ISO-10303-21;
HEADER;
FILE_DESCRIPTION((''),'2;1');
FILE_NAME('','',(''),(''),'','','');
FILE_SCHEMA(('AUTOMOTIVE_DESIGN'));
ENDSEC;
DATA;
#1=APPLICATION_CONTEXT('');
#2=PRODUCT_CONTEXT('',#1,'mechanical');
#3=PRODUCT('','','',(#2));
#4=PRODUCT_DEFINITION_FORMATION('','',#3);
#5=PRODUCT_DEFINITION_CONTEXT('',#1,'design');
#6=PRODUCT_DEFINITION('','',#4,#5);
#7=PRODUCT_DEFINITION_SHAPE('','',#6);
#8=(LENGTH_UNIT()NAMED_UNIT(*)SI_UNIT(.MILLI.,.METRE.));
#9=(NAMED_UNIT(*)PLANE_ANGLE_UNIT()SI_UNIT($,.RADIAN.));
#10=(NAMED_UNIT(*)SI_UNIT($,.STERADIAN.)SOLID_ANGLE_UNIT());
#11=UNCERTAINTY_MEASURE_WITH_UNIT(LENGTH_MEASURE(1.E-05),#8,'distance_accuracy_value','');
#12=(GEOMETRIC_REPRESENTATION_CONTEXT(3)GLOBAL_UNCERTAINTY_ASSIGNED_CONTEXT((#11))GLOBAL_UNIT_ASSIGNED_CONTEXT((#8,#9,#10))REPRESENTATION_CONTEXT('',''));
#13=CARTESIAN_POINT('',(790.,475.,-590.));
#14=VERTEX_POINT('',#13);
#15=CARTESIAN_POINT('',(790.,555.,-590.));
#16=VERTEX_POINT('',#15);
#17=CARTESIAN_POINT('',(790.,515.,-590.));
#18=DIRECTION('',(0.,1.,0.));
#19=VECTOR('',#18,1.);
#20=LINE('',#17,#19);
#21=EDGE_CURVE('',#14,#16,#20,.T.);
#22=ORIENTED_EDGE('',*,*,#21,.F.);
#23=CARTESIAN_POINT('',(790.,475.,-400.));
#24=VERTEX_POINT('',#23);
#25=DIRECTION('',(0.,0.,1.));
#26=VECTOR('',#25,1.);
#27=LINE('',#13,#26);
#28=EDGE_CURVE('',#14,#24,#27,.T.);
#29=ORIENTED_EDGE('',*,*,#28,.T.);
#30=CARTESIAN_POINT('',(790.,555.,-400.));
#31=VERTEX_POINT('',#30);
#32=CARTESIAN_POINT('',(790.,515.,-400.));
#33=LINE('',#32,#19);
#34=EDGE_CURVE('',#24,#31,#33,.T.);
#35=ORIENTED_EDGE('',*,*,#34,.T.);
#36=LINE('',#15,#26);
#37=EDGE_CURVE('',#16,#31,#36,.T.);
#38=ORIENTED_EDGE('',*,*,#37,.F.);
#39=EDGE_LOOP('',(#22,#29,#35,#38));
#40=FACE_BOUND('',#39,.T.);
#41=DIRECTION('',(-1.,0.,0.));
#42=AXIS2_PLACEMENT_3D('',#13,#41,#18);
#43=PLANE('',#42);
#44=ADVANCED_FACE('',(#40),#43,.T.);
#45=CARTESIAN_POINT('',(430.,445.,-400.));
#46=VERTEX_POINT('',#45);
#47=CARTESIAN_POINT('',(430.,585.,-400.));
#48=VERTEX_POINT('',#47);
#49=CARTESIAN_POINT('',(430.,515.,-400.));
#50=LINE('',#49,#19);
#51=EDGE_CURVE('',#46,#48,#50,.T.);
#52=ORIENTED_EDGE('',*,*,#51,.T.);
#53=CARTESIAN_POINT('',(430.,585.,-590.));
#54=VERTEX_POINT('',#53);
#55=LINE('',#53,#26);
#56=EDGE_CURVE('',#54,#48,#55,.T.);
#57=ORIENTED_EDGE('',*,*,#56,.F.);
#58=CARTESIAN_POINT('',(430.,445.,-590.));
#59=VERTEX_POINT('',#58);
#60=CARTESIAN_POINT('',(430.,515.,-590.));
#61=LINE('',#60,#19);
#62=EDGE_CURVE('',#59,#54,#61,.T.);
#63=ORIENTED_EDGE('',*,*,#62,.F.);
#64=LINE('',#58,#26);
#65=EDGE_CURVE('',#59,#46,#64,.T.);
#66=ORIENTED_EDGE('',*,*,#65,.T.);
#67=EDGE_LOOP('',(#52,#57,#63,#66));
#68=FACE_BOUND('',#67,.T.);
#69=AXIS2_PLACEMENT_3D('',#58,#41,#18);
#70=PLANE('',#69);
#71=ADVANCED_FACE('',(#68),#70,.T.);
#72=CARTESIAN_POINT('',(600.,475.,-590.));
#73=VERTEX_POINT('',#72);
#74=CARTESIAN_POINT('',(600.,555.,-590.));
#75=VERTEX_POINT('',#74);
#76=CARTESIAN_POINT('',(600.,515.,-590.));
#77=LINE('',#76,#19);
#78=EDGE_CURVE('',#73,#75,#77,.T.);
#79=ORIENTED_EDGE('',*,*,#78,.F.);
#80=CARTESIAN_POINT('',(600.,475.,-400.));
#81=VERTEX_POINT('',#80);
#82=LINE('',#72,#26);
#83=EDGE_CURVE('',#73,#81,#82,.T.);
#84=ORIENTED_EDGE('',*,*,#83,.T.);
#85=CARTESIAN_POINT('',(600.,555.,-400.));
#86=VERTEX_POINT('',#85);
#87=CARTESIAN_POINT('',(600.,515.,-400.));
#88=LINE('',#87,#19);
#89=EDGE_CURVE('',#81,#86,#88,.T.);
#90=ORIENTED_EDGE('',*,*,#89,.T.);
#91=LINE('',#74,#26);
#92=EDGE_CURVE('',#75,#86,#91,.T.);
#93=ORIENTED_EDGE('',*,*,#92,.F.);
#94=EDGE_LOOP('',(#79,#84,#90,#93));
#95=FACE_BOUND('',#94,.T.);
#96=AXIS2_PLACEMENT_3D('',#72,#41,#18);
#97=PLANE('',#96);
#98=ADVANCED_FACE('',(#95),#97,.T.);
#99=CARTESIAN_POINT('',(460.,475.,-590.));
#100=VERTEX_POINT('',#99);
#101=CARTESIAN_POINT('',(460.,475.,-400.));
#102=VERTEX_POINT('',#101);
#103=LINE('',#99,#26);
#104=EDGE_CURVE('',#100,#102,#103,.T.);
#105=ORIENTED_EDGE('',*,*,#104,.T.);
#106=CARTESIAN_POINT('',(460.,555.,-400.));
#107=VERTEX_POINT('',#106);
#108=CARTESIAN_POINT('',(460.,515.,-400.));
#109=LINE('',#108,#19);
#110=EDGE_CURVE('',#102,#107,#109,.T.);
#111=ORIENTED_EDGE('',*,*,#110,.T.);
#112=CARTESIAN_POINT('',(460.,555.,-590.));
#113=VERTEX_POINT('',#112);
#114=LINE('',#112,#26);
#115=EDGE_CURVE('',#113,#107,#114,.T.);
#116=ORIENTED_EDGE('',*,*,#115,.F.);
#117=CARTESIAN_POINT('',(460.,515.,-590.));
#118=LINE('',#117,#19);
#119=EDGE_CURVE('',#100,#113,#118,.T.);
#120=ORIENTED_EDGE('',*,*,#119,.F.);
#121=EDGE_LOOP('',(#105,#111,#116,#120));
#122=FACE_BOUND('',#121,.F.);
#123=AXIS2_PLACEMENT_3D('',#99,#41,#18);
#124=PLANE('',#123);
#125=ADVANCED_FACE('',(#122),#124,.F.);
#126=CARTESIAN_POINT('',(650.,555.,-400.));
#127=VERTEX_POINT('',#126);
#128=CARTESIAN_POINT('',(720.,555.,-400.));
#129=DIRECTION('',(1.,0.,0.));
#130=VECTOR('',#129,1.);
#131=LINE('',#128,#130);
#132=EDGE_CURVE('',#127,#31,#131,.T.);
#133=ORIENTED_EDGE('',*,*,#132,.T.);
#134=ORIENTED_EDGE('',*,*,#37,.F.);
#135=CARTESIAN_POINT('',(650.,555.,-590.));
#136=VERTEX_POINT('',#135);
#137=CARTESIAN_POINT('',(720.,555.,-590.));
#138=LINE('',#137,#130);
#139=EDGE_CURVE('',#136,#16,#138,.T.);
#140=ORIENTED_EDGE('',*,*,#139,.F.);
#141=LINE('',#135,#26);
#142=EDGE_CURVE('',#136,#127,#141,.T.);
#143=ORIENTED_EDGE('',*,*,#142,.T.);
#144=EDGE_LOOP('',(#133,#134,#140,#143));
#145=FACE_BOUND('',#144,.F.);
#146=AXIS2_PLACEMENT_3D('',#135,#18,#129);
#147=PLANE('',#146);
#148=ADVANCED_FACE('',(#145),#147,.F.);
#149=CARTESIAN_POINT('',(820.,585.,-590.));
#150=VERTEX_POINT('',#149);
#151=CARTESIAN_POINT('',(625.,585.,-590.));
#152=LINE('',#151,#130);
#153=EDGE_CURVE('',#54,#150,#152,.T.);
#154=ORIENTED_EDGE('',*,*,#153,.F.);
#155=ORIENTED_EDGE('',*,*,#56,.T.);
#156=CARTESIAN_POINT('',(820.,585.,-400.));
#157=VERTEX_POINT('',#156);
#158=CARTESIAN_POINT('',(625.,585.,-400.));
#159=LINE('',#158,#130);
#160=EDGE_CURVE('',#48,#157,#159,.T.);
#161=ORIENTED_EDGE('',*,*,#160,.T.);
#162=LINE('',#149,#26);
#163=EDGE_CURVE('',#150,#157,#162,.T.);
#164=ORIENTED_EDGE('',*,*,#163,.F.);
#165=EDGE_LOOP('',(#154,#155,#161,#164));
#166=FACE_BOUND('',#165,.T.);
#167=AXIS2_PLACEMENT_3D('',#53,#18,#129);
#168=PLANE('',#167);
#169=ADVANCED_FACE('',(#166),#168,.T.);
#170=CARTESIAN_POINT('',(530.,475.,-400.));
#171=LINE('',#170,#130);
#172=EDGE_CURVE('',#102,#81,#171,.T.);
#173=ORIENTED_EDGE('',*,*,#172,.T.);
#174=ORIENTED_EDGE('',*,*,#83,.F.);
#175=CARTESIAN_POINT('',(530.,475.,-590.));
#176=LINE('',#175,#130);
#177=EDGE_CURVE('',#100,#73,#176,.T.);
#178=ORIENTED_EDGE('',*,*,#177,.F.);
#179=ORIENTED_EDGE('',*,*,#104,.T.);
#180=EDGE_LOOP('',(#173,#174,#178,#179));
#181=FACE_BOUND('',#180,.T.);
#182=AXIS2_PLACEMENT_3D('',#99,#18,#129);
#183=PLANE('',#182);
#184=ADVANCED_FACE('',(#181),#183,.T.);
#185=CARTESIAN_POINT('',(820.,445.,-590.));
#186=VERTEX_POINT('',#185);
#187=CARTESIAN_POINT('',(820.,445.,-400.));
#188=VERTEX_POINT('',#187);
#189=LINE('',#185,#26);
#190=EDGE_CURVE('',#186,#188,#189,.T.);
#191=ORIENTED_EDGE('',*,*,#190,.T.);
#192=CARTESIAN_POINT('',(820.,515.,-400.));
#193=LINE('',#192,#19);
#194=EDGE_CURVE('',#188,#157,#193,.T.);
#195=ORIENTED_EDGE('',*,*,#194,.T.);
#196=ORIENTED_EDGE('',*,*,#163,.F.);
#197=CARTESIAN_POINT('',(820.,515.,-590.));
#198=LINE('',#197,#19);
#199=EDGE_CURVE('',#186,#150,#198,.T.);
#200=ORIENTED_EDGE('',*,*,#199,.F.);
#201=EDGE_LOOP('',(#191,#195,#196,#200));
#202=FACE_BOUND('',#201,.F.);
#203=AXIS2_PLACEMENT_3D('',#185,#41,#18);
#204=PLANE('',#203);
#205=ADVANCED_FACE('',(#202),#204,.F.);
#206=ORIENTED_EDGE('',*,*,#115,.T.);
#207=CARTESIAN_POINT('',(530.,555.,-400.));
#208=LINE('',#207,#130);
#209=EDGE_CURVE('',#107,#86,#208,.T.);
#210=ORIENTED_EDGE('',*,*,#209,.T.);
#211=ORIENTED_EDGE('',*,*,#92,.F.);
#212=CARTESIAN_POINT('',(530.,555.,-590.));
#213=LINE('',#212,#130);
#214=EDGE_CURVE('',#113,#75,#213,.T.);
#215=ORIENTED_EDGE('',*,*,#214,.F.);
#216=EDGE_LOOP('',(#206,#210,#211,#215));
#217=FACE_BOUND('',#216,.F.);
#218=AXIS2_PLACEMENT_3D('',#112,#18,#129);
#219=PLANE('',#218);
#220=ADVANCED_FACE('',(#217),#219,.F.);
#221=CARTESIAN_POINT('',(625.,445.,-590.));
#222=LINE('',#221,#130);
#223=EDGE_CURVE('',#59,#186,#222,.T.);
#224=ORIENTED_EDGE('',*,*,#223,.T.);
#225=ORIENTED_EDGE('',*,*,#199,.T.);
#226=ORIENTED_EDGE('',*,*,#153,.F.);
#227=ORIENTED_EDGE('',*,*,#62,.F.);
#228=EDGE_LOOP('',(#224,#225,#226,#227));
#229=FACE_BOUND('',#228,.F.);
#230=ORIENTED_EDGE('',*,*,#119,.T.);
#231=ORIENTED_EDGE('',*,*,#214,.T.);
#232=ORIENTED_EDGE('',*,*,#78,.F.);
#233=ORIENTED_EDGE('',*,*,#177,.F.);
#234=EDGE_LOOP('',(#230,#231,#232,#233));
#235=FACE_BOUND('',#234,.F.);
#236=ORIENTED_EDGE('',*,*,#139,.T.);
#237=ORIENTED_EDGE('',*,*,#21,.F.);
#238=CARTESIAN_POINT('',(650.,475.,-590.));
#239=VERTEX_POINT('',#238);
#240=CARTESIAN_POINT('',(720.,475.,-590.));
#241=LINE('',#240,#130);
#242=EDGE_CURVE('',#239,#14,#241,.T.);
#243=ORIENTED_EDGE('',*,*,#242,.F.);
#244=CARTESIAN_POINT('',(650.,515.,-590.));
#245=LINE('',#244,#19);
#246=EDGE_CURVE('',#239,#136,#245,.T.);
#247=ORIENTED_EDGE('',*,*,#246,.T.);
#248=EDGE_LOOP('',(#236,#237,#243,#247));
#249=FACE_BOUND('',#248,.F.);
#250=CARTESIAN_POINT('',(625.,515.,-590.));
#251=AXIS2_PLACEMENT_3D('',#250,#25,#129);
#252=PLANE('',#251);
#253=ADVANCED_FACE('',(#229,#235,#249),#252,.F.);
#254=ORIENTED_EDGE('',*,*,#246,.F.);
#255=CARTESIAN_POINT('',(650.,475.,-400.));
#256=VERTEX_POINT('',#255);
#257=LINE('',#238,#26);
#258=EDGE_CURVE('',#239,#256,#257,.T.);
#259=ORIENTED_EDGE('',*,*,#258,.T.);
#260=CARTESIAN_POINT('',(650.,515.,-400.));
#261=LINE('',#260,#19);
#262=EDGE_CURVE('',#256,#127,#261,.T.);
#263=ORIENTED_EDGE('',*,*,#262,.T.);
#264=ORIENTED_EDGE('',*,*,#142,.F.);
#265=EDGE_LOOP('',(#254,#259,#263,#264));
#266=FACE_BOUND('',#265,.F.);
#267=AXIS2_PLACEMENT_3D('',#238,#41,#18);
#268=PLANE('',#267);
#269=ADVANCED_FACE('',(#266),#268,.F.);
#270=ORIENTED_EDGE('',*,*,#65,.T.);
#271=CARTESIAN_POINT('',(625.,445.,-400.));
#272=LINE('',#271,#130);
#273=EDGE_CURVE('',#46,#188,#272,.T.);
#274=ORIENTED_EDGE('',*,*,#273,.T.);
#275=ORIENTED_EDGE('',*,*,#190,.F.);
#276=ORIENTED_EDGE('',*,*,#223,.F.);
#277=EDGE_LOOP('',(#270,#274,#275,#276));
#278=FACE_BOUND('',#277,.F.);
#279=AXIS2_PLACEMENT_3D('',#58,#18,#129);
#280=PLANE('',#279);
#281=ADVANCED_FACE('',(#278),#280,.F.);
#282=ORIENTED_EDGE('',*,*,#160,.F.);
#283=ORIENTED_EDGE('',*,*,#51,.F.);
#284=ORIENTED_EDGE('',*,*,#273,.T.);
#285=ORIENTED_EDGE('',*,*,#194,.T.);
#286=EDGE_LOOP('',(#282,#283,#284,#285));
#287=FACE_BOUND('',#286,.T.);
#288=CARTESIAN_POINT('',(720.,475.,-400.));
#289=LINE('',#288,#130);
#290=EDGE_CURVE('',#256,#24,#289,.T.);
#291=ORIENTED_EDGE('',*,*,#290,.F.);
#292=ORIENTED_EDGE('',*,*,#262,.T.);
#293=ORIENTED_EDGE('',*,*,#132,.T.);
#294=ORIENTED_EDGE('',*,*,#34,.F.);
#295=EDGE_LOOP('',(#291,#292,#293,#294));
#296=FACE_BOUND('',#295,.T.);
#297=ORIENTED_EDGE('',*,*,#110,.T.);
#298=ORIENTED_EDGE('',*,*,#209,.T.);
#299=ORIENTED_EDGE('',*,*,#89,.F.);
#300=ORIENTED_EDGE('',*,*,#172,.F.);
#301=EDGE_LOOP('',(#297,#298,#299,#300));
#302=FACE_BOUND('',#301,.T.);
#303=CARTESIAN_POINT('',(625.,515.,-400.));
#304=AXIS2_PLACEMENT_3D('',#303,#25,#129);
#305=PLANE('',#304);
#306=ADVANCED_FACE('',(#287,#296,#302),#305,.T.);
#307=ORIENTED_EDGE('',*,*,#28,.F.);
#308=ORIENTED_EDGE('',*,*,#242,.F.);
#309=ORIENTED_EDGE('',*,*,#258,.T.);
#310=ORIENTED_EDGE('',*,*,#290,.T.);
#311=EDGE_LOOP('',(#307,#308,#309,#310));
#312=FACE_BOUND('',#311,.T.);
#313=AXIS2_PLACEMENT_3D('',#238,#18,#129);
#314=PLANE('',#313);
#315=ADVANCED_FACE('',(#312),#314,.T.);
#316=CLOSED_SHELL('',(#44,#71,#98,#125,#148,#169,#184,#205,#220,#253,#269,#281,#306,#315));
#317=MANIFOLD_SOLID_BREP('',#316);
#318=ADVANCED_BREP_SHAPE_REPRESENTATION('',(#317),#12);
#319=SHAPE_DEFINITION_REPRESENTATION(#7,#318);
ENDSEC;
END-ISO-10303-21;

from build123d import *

# Parameters (mm, degrees)
BOX097_W     = 140
BOX097_H     = 80
BOX097_DEPTH = 190
BOX095_W     = 140
BOX095_H     = 80
BOX095_DEPTH = 190
BOX096_W     = 390
BOX096_H     = 140
BOX096_DEPTH = 190


with BuildPart() as cube069:
    # Box097 → Box097 (new body)
    with BuildSketch(Plane(origin=(220, 30, 0), x_dir=(1, 0, 0), z_dir=(0, 0, 1))):
        with Locations((70, 40)):
            Rectangle(BOX097_W, BOX097_H)
    extrude(amount=BOX097_DEPTH)


with BuildPart() as fusion015:
    # Box095 → Box095 (new body)
    with BuildSketch(Plane(origin=(30, 30, 0), x_dir=(1, 0, 0), z_dir=(0, 0, 1))):
        with Locations((70, 40)):
            Rectangle(BOX095_W, BOX095_H)
    extrude(amount=BOX095_DEPTH)

    # Fusion015: union Cube069
    add(cube069.part)


with BuildPart() as cut010:
    # Box096 → Box096 (new body)
    with BuildSketch(Plane.XY):
        with Locations((195, 70)):
            Rectangle(BOX096_W, BOX096_H)
    extrude(amount=BOX096_DEPTH)

    # Cut010: cut Fusion015
    add(fusion015.part, mode=Mode.SUBTRACT)


with BuildPart() as cut010_1:
    # Cut010 placement: moved
    add(cut010.part.moved(Location((430, 445, -590))))


solid = cut010_1.part
